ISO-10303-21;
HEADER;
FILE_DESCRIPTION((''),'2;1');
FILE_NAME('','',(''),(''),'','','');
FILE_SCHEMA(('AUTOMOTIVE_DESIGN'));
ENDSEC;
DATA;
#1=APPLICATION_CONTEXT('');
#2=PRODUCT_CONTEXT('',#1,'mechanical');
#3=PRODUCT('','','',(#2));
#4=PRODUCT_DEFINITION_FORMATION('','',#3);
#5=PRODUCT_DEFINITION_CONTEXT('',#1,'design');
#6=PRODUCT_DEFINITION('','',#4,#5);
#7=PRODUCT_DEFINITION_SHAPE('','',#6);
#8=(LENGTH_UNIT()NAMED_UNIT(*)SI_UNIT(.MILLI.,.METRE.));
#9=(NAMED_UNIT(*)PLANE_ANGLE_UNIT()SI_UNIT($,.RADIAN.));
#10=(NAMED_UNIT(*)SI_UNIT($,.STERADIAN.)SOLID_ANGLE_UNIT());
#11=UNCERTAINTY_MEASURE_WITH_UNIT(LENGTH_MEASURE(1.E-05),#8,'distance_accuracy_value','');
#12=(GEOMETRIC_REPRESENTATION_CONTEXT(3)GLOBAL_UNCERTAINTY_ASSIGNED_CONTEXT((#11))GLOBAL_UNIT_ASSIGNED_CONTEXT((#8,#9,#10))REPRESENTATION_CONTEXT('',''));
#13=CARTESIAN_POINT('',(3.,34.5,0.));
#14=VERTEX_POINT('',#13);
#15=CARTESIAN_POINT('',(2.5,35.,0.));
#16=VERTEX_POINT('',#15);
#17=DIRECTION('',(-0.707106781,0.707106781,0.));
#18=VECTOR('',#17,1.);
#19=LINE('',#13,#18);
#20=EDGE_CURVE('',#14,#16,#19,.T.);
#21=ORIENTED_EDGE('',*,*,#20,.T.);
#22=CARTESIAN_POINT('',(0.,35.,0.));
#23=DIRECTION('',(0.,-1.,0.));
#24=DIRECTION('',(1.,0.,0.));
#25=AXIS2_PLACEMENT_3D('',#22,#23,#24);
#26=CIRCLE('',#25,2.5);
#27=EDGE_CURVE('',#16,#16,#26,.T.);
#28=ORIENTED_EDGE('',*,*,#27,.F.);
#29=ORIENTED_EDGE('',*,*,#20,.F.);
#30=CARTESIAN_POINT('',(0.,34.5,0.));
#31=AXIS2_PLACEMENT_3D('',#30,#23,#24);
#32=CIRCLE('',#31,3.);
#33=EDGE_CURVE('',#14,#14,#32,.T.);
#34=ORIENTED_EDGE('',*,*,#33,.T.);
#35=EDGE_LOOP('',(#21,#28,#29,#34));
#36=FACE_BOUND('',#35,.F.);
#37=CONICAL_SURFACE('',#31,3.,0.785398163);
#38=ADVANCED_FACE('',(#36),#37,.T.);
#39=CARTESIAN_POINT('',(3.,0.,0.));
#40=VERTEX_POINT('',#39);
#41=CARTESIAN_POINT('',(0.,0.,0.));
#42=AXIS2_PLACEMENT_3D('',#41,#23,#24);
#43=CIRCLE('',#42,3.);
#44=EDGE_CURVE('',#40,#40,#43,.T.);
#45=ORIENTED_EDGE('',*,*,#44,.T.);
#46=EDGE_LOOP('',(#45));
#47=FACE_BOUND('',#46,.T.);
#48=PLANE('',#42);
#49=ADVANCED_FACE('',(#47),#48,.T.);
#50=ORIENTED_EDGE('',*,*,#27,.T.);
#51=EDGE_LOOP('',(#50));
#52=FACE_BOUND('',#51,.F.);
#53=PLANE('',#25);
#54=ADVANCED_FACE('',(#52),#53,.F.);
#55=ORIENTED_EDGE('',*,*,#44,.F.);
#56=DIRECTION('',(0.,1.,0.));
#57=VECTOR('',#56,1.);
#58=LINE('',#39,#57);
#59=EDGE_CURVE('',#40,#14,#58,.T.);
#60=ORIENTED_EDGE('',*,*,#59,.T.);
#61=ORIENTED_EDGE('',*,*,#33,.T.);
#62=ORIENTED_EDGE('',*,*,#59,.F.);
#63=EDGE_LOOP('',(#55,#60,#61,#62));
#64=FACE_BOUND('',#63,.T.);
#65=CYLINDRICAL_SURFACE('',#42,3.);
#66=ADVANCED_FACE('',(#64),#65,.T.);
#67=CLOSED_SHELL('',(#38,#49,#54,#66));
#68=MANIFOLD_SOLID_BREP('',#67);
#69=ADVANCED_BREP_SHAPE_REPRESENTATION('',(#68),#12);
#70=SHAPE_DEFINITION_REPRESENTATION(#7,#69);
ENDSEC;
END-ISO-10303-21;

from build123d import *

# Parameters (mm, degrees)
F0_R     = 3
F1_DEPTH = 35
F2_SIZE  = 0.5


with BuildPart() as f1:
    # F0 (on Front) → F1 (new body)
    with BuildSketch(Plane.XZ):
        Circle(F0_R)
    extrude(amount=-F1_DEPTH)

    # F2
    f2_edges = [f1.edges().sort_by_distance(p)[0] for p in [
        (-3, 35, 0),
    ]]
    chamfer(f2_edges, length=F2_SIZE)


solid = f1.part
